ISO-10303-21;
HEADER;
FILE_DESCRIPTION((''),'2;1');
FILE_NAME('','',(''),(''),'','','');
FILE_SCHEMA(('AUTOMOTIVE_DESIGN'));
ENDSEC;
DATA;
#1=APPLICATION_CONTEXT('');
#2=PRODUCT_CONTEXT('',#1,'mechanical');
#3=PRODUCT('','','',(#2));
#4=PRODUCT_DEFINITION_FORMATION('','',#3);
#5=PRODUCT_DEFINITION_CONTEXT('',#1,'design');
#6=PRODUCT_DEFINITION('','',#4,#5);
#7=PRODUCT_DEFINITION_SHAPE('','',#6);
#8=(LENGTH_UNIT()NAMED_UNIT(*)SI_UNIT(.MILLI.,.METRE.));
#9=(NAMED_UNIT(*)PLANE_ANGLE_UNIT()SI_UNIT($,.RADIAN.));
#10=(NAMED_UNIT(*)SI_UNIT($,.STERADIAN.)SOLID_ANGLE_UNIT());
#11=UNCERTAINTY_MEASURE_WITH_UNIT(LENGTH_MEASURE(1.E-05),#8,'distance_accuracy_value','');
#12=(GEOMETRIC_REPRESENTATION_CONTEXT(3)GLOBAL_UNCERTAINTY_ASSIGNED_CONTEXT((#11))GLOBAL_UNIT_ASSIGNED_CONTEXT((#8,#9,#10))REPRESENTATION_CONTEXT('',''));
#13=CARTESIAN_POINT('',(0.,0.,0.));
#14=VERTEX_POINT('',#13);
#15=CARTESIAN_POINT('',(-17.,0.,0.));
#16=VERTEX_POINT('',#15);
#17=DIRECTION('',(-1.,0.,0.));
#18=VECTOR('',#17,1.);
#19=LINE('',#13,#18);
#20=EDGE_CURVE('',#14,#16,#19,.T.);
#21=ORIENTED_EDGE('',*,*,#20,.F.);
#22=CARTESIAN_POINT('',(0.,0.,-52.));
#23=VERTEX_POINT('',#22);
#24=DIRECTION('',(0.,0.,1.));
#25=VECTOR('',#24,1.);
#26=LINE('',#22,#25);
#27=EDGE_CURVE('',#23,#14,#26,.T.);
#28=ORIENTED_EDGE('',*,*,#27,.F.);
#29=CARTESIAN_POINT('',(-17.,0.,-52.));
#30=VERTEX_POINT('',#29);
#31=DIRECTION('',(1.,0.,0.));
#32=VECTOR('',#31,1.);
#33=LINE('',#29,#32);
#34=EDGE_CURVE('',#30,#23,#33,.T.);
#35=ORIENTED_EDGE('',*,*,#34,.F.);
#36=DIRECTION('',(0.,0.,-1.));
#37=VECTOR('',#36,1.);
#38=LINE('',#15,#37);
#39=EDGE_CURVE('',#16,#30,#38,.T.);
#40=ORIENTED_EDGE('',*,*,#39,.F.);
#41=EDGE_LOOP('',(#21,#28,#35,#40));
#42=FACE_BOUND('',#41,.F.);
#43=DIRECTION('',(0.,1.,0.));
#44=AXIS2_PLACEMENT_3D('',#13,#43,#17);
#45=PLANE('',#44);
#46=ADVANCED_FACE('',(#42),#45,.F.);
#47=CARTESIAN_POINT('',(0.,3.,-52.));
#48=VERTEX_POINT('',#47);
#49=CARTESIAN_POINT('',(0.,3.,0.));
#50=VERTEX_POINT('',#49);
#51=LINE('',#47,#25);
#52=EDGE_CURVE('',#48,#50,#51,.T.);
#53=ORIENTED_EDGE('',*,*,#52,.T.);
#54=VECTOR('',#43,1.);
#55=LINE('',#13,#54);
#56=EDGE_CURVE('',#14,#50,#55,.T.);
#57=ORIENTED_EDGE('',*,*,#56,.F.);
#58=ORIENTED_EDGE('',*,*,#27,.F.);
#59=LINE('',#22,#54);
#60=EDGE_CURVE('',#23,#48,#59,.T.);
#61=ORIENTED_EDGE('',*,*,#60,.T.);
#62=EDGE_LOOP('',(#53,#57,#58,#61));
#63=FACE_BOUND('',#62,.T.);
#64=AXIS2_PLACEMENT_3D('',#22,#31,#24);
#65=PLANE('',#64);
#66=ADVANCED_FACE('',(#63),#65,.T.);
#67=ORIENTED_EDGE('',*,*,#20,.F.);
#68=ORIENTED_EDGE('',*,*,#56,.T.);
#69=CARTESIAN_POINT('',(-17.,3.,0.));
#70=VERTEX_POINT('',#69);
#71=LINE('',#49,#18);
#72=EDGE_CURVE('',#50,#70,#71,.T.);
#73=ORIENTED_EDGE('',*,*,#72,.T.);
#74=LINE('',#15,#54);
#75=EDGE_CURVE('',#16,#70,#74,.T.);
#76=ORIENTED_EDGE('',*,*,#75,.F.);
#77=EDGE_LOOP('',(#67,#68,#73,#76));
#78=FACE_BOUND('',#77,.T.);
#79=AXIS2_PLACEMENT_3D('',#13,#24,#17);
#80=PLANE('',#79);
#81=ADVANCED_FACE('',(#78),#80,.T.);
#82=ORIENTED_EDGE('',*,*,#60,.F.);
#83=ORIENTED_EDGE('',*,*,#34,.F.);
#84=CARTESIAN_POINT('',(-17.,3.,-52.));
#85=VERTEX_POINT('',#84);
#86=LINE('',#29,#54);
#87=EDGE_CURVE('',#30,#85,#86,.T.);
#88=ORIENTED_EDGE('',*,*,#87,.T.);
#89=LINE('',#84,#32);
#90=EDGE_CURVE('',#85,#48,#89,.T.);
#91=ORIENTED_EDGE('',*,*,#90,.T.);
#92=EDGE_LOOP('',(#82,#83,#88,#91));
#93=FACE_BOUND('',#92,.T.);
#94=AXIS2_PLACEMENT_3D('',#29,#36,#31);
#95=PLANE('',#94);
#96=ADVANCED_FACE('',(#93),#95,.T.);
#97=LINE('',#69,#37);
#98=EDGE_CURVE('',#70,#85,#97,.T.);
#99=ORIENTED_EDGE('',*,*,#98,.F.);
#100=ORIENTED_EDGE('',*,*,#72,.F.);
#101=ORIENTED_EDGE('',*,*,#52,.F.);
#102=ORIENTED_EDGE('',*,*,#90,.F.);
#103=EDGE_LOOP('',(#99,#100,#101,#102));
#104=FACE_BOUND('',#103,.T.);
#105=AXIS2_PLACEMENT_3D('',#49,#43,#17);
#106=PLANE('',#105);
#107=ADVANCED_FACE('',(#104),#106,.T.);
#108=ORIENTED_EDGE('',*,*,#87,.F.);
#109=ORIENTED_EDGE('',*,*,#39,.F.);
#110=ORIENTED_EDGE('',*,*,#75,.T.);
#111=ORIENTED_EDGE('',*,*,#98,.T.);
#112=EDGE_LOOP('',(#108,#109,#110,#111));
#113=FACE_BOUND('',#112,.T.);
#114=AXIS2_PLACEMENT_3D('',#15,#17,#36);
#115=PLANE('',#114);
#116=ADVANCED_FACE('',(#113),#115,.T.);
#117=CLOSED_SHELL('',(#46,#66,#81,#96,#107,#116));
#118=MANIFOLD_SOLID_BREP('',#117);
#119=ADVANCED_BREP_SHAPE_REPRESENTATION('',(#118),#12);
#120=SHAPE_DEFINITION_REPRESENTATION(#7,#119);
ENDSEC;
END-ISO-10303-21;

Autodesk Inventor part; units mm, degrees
ref_plane "YZ Plane" through (0, 0, 0) normal (1, 0, 0) x (0, 1, 0)
ref_plane "XZ Plane" through (0, 0, 0) normal (0, 1, 0) x (-1, 0, 0)
ref_plane "XY Plane" through (0, 0, 0) normal (0, 0, 1) x (1, 0, 0)
sketch "草图1" plane through (0, 0, 0) normal (0, 1, 0) x (-1, 0, 0)
  line L0 (0, 0) -> (17, 0)
  line L1 (17, 0) -> (17, -52)
  line L2 (17, -52) -> (0, -52)
  line L3 (0, -52) -> (0, 0)
  dimension "d0" = 52
  dimension "d1" = 17
extrude "拉伸1" add sketch "草图1" along normal blind 3
sketch "草图2" plane through (0, 3, 0) normal (0, 1, 0) x (1, 0, 0)
  line L0 (-8.4489, 20.8819) -> (-3.8745, 20.8819) construction
  line L1 (-3.8745, 20.8819) -> (-3.8745, 17.7598) construction
  line L2 (-3.8745, 17.7598) -> (-8.4489, 17.7598) construction
  line L3 (-8.4489, 17.7598) -> (-8.4489, 20.8819) construction
properties part number "51单片机" material "尼龙 6/6"
